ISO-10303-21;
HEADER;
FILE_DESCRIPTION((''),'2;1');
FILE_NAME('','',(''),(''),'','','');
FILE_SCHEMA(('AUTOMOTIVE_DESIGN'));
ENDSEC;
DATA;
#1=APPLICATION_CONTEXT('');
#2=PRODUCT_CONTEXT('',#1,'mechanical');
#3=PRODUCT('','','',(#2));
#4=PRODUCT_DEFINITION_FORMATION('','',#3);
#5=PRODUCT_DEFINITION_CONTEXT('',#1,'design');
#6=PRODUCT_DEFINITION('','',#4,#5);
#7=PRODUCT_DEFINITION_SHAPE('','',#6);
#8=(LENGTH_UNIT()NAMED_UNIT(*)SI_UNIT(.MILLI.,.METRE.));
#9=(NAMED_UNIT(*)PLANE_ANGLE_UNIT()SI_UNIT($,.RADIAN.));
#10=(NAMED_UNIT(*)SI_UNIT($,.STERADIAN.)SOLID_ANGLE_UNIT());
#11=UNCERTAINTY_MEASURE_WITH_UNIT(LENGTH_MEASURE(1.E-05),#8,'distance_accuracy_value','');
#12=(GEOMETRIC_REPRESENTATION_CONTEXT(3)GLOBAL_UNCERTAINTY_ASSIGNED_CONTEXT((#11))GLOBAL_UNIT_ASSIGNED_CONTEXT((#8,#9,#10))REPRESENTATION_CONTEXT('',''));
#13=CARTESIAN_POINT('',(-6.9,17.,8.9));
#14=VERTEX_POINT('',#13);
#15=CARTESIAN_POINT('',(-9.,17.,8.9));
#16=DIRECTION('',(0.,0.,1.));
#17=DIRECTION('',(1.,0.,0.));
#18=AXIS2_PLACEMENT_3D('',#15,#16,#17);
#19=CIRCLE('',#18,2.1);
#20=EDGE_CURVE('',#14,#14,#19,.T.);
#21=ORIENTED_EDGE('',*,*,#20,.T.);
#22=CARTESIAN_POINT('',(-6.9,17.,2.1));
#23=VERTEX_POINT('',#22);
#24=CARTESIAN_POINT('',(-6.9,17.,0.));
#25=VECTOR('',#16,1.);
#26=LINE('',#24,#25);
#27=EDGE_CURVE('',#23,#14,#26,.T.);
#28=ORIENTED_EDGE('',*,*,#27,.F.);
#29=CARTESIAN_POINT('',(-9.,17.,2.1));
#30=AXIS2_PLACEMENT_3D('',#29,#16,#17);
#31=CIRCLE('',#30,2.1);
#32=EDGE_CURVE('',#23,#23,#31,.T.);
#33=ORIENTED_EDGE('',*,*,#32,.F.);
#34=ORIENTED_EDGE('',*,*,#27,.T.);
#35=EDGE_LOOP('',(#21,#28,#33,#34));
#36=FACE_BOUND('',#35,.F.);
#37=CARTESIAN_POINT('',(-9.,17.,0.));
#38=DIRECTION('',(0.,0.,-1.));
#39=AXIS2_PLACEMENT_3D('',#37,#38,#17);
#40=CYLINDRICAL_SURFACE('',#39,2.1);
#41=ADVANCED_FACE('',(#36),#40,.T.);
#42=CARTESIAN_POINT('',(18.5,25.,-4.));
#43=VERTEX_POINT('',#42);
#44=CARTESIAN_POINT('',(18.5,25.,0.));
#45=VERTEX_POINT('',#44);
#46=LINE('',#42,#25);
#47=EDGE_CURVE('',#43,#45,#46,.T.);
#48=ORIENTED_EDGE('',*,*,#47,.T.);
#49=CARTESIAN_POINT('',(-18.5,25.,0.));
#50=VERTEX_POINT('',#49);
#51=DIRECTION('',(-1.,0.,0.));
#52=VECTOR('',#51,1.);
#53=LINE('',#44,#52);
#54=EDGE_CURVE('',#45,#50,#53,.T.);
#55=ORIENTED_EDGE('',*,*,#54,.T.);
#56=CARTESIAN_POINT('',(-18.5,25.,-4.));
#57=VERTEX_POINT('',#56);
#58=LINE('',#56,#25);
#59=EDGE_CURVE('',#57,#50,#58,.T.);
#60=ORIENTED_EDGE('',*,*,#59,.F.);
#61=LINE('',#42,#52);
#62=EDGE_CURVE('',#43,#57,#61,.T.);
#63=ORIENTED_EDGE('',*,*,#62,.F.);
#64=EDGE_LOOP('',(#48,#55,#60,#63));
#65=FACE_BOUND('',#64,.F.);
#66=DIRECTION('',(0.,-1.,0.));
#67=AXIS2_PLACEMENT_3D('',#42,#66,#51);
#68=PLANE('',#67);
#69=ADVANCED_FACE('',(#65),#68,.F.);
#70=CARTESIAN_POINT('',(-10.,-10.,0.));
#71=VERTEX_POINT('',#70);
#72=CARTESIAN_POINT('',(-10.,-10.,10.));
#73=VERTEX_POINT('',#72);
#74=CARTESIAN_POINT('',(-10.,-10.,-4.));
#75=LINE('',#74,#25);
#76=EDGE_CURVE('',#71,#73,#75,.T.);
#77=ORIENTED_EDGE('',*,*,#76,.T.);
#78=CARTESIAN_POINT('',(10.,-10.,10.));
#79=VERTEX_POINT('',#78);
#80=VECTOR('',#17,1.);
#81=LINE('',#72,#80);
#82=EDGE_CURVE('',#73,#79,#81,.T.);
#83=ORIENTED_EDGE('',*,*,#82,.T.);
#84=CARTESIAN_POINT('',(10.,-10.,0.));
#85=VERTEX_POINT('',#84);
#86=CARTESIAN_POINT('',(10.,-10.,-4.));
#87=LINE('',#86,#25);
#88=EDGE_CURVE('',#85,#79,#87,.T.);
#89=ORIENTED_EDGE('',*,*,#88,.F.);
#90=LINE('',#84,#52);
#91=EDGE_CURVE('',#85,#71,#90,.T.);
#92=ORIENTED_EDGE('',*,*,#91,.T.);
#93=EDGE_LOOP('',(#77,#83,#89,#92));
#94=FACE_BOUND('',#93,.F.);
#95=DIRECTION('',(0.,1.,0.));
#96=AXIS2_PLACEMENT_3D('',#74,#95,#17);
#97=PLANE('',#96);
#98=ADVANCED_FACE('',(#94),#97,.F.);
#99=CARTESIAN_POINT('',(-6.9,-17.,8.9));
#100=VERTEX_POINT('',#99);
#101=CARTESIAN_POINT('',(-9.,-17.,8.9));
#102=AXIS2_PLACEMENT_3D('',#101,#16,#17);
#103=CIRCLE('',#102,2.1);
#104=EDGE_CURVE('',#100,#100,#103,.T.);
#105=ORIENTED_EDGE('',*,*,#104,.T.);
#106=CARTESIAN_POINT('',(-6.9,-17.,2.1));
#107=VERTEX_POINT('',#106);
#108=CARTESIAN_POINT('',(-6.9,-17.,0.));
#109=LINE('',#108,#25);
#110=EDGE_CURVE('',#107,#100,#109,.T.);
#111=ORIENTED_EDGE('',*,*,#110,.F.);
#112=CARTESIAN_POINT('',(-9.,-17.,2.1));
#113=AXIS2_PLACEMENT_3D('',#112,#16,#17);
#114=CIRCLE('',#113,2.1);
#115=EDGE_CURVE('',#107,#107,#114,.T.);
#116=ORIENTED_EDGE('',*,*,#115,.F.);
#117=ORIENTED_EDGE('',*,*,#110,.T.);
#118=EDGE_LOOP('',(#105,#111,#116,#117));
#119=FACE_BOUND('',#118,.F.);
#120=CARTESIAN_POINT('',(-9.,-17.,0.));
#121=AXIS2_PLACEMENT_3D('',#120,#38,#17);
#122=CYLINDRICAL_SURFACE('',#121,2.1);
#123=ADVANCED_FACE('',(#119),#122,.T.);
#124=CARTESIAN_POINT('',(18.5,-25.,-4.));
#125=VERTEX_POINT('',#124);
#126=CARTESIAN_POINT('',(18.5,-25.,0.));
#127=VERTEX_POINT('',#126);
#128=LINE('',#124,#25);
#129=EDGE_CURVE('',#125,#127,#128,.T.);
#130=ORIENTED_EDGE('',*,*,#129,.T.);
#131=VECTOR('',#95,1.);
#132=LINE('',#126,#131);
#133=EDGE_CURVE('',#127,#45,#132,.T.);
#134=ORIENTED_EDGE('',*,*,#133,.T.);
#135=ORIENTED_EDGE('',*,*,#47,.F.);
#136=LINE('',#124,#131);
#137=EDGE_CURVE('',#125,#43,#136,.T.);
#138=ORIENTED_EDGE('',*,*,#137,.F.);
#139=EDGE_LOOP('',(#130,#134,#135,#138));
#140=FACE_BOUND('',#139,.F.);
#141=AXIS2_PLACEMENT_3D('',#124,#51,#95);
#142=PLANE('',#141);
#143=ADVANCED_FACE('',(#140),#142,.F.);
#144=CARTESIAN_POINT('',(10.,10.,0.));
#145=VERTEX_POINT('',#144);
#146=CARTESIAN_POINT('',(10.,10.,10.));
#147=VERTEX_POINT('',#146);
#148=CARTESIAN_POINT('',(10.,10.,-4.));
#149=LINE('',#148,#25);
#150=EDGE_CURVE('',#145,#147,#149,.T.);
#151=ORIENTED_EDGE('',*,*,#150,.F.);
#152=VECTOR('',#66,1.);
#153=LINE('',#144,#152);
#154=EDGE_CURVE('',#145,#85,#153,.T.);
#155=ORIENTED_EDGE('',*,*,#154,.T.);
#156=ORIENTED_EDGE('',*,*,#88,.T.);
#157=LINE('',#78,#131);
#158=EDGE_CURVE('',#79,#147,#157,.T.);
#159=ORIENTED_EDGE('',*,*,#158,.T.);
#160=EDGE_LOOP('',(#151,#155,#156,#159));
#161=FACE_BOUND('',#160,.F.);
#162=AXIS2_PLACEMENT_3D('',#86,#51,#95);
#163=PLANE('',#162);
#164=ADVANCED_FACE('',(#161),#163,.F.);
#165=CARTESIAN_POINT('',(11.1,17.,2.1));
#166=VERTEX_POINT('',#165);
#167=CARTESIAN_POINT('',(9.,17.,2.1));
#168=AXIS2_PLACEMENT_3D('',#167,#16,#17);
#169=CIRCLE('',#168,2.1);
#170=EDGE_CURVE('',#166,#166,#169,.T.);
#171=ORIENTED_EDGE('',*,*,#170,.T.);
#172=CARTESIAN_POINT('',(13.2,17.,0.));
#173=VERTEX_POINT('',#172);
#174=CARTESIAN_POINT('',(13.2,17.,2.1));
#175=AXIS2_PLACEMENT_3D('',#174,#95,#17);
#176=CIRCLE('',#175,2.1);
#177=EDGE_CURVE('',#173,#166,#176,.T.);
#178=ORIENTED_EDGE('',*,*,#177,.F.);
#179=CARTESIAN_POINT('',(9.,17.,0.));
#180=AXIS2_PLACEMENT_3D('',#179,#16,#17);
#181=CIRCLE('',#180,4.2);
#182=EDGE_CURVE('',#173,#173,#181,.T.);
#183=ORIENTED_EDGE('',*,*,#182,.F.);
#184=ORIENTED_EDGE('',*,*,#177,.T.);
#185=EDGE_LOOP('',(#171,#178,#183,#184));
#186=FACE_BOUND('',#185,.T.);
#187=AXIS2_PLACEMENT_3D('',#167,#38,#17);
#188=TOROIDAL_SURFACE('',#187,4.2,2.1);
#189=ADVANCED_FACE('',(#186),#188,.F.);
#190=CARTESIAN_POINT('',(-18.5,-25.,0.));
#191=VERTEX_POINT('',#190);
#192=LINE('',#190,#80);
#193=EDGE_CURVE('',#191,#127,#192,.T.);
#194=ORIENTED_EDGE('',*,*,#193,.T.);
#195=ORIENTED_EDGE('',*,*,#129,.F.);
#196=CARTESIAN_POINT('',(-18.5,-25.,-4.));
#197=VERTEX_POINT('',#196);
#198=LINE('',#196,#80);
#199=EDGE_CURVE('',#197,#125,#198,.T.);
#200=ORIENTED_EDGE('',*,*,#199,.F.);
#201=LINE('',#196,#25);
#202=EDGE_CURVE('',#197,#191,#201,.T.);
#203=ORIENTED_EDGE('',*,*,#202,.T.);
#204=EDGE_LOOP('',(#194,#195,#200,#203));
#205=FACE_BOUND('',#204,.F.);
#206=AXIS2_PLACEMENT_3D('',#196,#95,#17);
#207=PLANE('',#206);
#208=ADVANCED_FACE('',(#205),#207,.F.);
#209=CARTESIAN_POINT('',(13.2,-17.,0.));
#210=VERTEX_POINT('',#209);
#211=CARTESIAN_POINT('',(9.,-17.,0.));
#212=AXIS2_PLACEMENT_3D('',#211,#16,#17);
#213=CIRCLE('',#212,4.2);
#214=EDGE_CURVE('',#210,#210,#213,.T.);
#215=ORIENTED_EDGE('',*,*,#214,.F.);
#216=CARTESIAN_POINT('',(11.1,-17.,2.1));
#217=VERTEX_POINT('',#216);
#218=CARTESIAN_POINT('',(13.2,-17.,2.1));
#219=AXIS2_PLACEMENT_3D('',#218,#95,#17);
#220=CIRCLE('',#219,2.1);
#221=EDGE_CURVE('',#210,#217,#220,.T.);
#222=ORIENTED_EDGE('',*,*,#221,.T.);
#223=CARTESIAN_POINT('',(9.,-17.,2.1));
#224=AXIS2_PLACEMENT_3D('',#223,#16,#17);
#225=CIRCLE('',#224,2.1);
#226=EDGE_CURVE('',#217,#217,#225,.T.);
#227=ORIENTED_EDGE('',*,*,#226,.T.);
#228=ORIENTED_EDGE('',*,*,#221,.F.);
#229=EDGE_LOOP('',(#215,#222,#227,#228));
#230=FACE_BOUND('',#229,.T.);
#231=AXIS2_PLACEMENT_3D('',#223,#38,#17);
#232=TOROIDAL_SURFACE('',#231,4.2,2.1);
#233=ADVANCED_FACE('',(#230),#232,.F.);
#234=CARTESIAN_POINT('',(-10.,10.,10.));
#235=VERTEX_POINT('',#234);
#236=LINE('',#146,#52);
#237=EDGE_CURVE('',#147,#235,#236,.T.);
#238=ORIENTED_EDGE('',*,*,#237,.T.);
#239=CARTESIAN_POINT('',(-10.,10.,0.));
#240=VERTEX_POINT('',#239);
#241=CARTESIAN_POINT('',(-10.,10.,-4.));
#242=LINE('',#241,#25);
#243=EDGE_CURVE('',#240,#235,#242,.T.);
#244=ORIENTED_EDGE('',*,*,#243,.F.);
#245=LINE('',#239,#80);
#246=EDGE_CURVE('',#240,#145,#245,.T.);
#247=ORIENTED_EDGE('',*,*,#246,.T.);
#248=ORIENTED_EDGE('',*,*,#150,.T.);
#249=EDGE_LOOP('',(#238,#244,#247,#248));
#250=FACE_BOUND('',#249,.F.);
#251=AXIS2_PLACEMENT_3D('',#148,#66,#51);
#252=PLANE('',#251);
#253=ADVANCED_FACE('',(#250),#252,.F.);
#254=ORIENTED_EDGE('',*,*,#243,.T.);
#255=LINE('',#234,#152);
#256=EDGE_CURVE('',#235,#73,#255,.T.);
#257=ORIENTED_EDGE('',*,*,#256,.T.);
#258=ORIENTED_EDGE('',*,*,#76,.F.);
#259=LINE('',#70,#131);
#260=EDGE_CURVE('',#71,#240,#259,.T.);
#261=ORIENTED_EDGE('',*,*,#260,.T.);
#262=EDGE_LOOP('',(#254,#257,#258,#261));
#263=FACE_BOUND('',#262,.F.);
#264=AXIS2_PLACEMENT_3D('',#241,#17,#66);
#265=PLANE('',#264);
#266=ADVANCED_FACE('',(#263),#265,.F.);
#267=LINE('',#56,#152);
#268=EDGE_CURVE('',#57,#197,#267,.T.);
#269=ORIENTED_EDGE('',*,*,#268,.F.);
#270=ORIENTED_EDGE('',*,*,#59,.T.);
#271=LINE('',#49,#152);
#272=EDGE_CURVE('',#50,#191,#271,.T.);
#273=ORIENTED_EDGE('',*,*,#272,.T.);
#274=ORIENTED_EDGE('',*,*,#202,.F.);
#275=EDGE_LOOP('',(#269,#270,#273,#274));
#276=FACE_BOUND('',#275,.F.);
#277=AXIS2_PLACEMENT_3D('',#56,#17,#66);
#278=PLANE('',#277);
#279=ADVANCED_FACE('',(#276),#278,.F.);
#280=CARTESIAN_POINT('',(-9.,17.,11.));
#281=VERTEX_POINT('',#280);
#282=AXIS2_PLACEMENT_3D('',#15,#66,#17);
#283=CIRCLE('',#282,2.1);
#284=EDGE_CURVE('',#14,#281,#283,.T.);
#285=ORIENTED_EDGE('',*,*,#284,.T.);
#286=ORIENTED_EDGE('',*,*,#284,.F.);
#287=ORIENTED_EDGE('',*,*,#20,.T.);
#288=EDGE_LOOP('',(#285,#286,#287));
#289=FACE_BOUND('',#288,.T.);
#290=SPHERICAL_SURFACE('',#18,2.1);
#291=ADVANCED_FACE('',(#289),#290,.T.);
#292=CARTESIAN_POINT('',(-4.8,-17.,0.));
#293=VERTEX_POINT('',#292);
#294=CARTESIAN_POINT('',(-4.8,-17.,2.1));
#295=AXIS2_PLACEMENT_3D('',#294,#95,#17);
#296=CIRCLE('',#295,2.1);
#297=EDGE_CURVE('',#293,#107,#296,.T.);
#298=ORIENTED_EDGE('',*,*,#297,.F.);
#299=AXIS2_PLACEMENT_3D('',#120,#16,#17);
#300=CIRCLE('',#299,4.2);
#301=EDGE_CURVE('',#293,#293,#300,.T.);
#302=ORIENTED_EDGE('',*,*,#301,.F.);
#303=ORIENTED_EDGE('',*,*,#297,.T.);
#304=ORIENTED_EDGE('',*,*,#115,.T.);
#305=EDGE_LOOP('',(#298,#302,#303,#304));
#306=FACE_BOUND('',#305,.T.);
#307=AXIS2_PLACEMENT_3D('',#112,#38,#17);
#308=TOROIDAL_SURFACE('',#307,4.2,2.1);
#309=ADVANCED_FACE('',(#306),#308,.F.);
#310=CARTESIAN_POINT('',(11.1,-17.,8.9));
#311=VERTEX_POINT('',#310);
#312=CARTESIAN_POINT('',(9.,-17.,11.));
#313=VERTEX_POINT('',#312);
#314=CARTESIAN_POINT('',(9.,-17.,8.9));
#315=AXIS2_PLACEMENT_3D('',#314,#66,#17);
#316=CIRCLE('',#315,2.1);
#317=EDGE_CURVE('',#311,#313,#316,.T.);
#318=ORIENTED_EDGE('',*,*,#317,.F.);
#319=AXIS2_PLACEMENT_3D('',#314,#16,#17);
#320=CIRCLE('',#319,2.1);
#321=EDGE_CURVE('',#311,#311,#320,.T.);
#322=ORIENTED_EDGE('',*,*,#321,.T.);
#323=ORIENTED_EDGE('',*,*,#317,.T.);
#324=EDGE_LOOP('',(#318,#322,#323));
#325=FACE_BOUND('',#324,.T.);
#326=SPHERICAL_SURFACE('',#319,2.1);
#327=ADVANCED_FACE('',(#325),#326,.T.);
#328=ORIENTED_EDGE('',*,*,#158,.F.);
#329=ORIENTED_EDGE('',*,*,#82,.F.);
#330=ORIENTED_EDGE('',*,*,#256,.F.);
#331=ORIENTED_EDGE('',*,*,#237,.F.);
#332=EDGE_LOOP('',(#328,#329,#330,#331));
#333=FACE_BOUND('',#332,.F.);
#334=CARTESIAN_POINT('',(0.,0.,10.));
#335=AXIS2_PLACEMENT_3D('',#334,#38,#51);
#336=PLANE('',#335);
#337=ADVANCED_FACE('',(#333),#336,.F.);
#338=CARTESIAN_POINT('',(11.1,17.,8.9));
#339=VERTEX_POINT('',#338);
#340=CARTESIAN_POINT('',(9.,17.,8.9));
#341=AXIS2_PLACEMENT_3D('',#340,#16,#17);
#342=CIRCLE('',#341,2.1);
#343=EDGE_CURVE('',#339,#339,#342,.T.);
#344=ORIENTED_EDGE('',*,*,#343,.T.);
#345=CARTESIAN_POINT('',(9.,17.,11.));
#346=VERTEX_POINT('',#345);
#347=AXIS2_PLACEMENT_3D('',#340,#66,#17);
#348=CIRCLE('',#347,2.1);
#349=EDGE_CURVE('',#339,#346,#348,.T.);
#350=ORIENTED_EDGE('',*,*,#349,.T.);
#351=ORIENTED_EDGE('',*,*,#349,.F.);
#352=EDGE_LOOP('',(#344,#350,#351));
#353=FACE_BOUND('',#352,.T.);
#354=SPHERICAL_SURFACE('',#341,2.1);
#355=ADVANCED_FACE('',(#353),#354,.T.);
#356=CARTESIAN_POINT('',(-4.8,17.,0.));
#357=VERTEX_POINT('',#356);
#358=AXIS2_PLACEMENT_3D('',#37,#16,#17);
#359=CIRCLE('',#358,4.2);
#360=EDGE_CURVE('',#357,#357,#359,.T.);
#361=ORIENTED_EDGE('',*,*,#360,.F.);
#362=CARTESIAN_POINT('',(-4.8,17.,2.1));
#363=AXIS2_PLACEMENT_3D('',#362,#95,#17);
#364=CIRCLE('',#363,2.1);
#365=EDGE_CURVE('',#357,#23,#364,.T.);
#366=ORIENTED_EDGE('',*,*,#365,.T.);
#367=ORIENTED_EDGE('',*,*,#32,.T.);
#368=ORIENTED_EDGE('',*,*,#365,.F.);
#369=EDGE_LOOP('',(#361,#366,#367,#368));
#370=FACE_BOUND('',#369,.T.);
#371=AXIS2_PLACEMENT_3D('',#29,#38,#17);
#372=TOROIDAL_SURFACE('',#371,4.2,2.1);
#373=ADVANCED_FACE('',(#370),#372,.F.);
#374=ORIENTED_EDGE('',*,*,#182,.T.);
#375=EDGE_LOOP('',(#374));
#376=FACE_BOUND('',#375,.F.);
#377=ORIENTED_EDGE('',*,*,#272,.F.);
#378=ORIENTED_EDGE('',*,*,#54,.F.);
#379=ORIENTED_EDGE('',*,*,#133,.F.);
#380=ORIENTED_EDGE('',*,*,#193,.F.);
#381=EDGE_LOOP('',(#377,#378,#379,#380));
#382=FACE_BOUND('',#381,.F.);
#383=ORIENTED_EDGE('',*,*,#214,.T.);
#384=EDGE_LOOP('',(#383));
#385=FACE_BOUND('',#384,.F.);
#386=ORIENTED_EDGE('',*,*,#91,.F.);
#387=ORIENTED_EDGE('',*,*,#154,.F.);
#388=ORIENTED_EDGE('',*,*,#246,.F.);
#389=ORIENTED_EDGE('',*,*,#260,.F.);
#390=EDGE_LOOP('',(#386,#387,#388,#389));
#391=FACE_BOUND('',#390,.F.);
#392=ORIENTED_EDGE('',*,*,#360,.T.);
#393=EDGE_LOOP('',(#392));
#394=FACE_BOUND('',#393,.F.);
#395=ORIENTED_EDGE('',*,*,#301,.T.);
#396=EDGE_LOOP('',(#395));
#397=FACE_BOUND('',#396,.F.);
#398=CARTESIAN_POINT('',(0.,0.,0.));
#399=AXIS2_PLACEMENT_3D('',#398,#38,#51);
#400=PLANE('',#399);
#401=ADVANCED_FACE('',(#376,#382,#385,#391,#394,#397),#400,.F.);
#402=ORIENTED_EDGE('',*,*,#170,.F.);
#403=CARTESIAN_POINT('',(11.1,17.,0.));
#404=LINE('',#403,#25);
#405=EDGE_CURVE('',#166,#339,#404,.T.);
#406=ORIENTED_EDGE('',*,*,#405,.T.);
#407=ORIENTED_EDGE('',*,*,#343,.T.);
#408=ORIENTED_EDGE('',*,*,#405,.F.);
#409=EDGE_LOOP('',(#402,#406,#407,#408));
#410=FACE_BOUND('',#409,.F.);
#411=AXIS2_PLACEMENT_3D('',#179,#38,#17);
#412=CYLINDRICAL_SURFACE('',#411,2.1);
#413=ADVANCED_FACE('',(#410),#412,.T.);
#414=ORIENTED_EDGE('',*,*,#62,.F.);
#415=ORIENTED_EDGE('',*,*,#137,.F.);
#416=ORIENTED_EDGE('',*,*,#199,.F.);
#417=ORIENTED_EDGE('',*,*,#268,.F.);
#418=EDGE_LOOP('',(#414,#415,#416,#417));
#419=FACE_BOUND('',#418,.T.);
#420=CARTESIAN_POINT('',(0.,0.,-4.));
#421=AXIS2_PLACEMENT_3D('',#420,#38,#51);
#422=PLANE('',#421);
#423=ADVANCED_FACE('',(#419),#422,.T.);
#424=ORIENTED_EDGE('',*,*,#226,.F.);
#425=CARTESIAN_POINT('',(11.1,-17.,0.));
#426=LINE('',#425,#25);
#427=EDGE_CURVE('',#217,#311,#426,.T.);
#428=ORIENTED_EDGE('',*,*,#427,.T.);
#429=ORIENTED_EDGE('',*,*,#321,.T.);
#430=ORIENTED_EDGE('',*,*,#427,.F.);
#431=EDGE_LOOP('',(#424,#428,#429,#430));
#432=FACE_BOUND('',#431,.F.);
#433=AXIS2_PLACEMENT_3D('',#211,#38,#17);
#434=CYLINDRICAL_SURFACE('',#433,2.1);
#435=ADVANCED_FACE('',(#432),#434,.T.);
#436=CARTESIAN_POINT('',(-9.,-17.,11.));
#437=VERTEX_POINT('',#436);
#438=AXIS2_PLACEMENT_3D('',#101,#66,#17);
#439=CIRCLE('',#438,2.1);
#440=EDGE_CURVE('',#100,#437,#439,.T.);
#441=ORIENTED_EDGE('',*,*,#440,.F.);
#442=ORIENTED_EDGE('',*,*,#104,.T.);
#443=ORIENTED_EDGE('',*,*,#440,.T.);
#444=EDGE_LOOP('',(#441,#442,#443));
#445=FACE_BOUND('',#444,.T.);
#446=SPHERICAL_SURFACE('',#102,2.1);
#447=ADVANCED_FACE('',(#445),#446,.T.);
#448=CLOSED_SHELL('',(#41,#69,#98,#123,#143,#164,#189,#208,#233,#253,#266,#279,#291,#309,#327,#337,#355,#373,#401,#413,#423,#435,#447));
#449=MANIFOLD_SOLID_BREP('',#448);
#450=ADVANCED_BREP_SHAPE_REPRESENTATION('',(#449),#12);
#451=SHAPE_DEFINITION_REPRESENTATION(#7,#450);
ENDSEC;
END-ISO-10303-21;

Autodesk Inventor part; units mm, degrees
ref_plane "YZ Plane" through (0, 0, 0) normal (1, 0, 0) x (0, 1, 0)
ref_plane "XZ Plane" through (0, 0, 0) normal (0, 1, 0) x (-1, 0, 0)
ref_plane "XY Plane" through (0, 0, 0) normal (0, 0, 1) x (1, 0, 0)
sketch "Sketch1" plane through (0, 0, 0) normal (0, 0, 1) x (1, 0, 0)
  line L0 (-13.5, 20) -> (13.5, 20)
  line L1 (13.5, 20) -> (13.5, -20)
  line L2 (13.5, -20) -> (-13.5, -20)
  line L3 (-13.5, -20) -> (-13.5, 20)
  line L4 (-10, 10) -> (10, 10)
  line L5 (10, 10) -> (10, -10)
  line L6 (10, -10) -> (-10, -10)
  line L7 (-10, -10) -> (-10, 10)
  circle A0 centre (-8, 15) radius 2.025
  circle A1 centre (8, 15) radius 2.025
  circle A2 centre (8, -15) radius 2.025
  circle A3 centre (-8, -15) radius 2.025
  line L8 (-16.5, 23) -> (16.5, 23)
  line L9 (16.5, 23) -> (16.5, -23)
  line L10 (16.5, -23) -> (-16.5, -23)
  line L11 (-16.5, -23) -> (-16.5, 23)
  point P0 (0, 0)
  dimension "d0" = 27
  dimension "d1" = 40
  dimension "d2" = 20
  dimension "d3" = 13.5
  dimension "d4" = 20
  dimension "d5" = 20
  dimension "d6" = 3.5
  dimension "d7" = 10
  dimension "d8" = 4.05
  dimension "d9" = 5
  dimension "d10" = 5.5
  dimension "d11" = 4.05
  dimension "d12" = 5.5
  dimension "d13" = 4.05
  dimension "d14" = 5
  dimension "d15" = 4.05
  dimension "d16" = 5
  dimension "d17" = 33
  dimension "d18" = 46
  dimension "d19" = 16.5
  dimension "d20" = 23
  dimension "d29" = 5.5
  dimension "d30" = 5.5
  dimension "d31" = 5
extrude "Extrusion1" add sketch "Sketch1" along normal blind 12 contours L4 L5 L6 L7 | A0 | A1 | A2 | A3
extrude "Extrusion2" add sketch "Sketch1" against normal blind 4 contours L0 L1 L2 L3 | L4 L5 L6 L7 | A0 | A1 | A2 | A3 | L8 L9 L10 L11
extrude "Extrusion3" add sketch "Sketch1" along normal blind 11 contours L8 L9 L10 L11
sketch "Sketch2" plane through (0, 0, 12) normal (0, 0, 1) x (1, 0, 0)
  line L0 (-10, -10) -> (10, -10) projected
  line L1 (10, -10) -> (10, 10) projected
  line L2 (10, 10) -> (-10, 10) projected
  line L3 (-10, 10) -> (-10, -10) projected
  circle A0 centre (-8, 15) radius 2.025 projected
  circle A1 centre (8, 15) radius 2.025 projected
  circle A2 centre (8, -15) radius 2.025 projected
  circle A3 centre (-8, -15) radius 2.025 projected
  point P0 (0, 0)
extrude "Extrusion4" cut sketch "Sketch2" against normal up to surface (16 mm away)
sketch "Sketch6" plane through (0, 0, -4) normal (0, 0, -1) x (-1, 0, 0)
  line L0 (-10, -10) -> (-10, 10) projected
  line L1 (10, -10) -> (-10, -10) projected
  line L2 (-10, 10) -> (10, 10)
  line L3 (10, 10) -> (10, -10)
  line L4 (10, -10) -> (-10, -10)
  line L5 (-10, -10) -> (-10, 10)
  point P0 (0, 0)
extrude "Extrusion7" add sketch "Sketch6" against normal blind 14
sketch "Sketch9" plane through (0, 0, 11) normal (0, 0, 1) x (1, 0, 0)
  line L0 (-16.5, -23) -> (16.5, -23) projected
  line L1 (16.5, -23) -> (16.5, 23) projected
  line L2 (16.5, 23) -> (-16.5, 23) projected
  line L3 (-16.5, 23) -> (-16.5, -23) projected
  line L4 (-13.5, 20) -> (13.5, 20) projected
  line L5 (13.5, 20) -> (13.5, -20) projected
  line L6 (13.5, -20) -> (-13.5, -20) projected
  line L7 (-13.5, -20) -> (-13.5, 20) projected
  point P0 (0, 0)
extrude "Extrusion9" cut sketch "Sketch9" against normal blind 11
sketch "Sketch10" plane through (0, 0, -4) normal (0, 0, -1) x (-1, 0, 0)
  circle A0 centre (-8, -15) radius 2.025 projected
  circle A1 centre (8, -15) radius 2.025 projected
  circle A2 centre (-8, 15) radius 2.025 projected
  circle A3 centre (8, 15) radius 2.025 projected
  point P0 (0, 0)
extrude "Extrusion10" add sketch "Sketch10" against normal blind 4
sketch "Sketch11" plane through (0, 0, 0) normal (0, 0, 1) x (1, 0, 0)
  circle A0 centre (-9, 17) radius 2.1
  circle A1 centre (9, 17) radius 2.1
  line L0 (-16.5, -23) -> (-16.5, 23) projected
  line L1 (16.5, 23) -> (16.5, -23) projected
  line L2 (-16.5, 23) -> (16.5, 23) projected
  circle A2 centre (-9, -17) radius 2.1
  circle A3 centre (9, -17) radius 2.1
  line L3 (-16.5, -23) -> (16.5, -23)
  point P0 (0, 0)
  dimension "d70" = 4.2
  dimension "d71" = 4.2
  dimension "d72" = 7.5
  dimension "d73" = 7.5
  dimension "d74" = 6
  dimension "d75" = 6
extrude "Extrusion11" add sketch "Sketch11" along normal blind 11 contours A0 | A1 | A2 | A3
fillet "Fillet3" radius 2.1 4 edges at (-11.1, -17, 11) (6.9, -17, 11) (6.9, 17, 11) (-11.1, 17, 11)
sketch "Sketch12" plane through (0, 0, -4) normal (0, 0, -1) x (-1, 0, 0)
  line L0 (18.5, -25) -> (-18.5, -25)
  line L1 (-18.5, -25) -> (-18.5, 25)
  line L2 (-18.5, 25) -> (18.5, 25)
  line L3 (18.5, 25) -> (18.5, -25)
  line L4 (16.5, -23) -> (16.5, 23) projected
  line L5 (-16.5, -23) -> (16.5, -23) projected
  line L6 (-16.5, -23) -> (16.5, -23) projected
  line L7 (16.5, -23) -> (16.5, 23) projected
  line L8 (16.5, 23) -> (-16.5, 23) projected
  line L9 (-16.5, 23) -> (-16.5, -23) projected
  point P0 (0, 0)
  dimension "d79" = 37
  dimension "d80" = 50
  dimension "d81" = 2
  dimension "d82" = 2
extrude "Extrusion12" add sketch "Sketch12" against normal blind 4
fillet "Fillet4" radius 2.1 4 edges at (6.9, 17, 0) (-11.1, 17, 0) (6.9, -17, 0) (-11.1, -17, 0)
properties part number "PDMS Chamber-Mold-V8 Steven"
